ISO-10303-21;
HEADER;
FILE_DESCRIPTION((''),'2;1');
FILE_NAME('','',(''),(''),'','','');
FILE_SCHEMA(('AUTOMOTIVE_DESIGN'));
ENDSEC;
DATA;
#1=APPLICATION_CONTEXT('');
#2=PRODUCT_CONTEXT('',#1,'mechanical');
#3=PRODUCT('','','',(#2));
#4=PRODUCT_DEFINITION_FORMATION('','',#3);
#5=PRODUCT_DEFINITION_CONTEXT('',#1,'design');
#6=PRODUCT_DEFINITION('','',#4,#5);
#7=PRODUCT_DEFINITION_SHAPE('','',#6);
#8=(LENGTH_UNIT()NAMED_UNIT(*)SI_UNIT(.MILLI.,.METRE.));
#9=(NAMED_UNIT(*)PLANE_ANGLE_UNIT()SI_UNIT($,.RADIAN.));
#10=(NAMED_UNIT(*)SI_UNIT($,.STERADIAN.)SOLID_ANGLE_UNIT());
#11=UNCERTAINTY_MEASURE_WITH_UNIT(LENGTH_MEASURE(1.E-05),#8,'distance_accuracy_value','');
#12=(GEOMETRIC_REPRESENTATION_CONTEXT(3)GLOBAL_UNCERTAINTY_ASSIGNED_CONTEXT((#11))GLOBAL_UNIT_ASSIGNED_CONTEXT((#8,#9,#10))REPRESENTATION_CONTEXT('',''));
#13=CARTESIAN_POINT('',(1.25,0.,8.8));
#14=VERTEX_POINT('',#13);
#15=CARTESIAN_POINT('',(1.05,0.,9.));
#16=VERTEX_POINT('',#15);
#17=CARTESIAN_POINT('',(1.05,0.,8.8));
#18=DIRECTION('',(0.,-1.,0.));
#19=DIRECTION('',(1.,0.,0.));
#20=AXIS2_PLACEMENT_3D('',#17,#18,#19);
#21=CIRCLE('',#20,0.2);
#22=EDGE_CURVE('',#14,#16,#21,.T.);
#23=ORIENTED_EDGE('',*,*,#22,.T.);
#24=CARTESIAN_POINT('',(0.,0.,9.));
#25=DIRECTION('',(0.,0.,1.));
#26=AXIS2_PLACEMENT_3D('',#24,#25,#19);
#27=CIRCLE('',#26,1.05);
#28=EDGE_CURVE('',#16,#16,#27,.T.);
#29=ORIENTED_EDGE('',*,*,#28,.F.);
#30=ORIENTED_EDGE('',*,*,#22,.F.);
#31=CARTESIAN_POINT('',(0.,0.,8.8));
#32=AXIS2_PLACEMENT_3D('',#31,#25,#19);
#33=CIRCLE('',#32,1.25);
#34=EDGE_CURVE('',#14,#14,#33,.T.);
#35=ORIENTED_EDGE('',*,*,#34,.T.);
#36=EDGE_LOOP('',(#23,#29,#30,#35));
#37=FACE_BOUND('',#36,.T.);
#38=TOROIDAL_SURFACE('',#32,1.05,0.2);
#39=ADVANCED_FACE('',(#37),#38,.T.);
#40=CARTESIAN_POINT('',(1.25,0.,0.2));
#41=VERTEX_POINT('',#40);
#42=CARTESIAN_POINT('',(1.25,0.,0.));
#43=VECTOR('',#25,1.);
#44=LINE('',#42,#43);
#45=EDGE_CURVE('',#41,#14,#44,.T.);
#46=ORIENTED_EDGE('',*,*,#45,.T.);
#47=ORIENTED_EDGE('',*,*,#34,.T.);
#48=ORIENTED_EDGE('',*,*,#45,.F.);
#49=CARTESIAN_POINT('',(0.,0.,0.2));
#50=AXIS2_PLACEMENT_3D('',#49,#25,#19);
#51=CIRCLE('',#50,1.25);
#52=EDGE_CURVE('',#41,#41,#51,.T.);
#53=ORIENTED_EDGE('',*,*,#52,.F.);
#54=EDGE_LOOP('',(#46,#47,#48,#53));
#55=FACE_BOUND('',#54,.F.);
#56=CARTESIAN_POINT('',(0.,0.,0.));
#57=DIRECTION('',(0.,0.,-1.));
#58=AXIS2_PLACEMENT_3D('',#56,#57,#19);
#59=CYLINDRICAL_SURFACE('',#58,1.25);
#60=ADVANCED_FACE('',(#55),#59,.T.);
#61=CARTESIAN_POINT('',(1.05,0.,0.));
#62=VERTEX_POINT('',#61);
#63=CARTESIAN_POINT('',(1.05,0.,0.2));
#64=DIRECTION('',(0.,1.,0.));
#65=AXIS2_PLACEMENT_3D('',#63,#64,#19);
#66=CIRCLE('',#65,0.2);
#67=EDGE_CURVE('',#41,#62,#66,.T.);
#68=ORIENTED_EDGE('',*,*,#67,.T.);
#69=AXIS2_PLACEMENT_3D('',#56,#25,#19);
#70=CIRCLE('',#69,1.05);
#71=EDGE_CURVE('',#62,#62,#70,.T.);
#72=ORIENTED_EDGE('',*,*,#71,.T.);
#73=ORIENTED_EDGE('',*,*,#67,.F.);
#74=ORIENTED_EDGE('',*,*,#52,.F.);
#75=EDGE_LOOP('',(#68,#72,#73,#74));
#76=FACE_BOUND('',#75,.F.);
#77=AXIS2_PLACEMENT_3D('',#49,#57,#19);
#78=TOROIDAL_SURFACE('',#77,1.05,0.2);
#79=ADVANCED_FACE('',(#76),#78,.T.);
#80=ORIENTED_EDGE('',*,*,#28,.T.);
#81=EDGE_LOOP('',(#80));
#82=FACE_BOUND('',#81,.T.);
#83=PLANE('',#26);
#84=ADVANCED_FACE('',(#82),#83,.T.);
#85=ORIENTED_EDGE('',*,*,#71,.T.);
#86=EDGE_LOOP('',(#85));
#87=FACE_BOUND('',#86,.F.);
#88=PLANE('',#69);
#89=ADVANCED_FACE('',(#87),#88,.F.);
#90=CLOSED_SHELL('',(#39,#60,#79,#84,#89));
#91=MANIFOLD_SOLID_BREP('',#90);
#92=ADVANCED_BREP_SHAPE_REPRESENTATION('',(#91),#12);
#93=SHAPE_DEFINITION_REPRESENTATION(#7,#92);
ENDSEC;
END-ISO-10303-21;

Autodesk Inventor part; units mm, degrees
ref_plane "YZ Plane" through (0, 0, 0) normal (1, 0, 0) x (0, 1, 0)
ref_plane "XZ Plane" through (0, 0, 0) normal (0, 1, 0) x (-1, 0, 0)
ref_plane "XY Plane" through (0, 0, 0) normal (0, 0, 1) x (1, 0, 0)
sketch "スケッチ1" plane through (0, 0, 0) normal (0, 0, 1) x (1, 0, 0)
  circle A0 centre (0, 0) radius 1.25
  dimension "d0" = 2.5
extrude "押し出し1" add sketch "スケッチ1" along normal blind 9
fillet "フィレット1" radius 0.2 2 edges at (-1.25, 0, 9) (-1.25, 0, 0)
properties part number "平行ピン　φ2.5　長さ9" material "ステンレス鋼"
